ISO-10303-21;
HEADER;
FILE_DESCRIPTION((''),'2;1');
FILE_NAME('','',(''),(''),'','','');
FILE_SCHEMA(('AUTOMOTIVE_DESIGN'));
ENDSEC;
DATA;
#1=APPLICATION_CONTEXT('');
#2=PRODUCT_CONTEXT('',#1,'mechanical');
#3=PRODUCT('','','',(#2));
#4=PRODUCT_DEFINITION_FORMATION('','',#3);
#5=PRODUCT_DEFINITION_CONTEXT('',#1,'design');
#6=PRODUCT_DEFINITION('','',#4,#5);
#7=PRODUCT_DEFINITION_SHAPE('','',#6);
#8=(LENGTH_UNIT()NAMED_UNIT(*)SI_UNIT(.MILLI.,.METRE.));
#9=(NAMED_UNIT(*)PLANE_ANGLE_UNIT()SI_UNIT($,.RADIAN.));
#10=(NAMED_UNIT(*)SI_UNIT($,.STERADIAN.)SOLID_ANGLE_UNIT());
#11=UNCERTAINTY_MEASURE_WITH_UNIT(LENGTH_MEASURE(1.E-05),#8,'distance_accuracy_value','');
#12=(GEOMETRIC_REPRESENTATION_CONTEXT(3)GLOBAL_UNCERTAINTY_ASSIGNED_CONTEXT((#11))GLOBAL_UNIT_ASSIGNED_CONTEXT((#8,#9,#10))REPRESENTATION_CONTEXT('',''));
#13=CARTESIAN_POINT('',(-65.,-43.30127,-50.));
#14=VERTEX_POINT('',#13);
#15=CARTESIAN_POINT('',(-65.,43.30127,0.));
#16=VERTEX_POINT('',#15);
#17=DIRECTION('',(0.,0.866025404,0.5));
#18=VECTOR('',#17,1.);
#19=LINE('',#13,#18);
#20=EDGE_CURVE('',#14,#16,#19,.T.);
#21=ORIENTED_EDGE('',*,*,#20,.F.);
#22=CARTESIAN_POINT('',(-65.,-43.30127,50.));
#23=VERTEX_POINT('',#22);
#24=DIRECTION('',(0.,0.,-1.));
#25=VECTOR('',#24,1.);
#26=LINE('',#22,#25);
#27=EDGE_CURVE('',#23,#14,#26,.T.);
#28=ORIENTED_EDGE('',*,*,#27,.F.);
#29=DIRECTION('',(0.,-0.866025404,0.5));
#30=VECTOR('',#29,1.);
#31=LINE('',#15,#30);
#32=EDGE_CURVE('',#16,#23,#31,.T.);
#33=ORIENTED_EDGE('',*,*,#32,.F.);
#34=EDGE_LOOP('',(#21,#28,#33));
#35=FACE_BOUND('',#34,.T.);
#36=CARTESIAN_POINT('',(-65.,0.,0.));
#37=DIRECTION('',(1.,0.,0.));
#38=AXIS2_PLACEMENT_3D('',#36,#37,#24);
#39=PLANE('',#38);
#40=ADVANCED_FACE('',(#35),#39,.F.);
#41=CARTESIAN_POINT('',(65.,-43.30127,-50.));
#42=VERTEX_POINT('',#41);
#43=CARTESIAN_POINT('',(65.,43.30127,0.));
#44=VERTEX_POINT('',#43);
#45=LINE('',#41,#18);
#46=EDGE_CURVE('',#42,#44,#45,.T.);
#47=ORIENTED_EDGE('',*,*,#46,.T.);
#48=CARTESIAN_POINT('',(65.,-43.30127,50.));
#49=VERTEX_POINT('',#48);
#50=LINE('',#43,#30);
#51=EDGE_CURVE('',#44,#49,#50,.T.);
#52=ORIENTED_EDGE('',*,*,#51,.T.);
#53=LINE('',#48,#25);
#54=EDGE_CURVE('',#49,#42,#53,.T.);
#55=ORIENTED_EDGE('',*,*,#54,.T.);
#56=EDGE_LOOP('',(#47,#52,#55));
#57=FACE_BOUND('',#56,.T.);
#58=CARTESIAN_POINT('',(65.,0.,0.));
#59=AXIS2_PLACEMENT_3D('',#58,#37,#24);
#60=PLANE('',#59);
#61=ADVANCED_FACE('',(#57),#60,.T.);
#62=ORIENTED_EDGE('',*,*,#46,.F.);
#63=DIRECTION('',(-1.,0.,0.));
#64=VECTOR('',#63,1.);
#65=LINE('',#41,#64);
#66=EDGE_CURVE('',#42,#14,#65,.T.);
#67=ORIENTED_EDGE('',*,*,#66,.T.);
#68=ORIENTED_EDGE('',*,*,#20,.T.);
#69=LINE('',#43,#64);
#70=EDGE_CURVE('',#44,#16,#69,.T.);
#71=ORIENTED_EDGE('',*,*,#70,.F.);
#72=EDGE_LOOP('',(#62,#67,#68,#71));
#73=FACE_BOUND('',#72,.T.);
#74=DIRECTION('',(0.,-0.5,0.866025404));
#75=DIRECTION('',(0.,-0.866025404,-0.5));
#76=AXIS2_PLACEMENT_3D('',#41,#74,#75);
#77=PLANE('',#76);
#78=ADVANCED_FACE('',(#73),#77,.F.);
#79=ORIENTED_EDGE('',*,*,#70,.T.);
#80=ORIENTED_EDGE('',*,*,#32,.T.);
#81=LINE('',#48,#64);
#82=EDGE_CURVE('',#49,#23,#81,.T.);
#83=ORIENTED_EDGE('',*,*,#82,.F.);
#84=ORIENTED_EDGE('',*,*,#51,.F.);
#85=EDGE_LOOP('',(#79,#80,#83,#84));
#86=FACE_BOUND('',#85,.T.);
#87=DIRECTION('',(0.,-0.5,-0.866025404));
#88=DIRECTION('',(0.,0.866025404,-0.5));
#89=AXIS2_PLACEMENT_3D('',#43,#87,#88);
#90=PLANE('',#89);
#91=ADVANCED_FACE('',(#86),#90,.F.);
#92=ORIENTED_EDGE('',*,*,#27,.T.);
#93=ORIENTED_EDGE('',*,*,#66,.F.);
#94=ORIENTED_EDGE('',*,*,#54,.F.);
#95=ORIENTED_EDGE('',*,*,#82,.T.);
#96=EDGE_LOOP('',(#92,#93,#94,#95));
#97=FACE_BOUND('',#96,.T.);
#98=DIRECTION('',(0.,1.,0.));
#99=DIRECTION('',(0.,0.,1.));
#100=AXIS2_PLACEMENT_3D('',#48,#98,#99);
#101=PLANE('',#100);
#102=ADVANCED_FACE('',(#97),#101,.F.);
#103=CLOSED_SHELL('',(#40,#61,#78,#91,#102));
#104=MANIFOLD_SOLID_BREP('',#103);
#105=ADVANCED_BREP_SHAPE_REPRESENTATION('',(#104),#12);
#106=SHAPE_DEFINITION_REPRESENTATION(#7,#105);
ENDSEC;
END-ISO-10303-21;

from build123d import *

# Parameters (mm, degrees)
EXTRUDE_1_DEPTH = 65


with BuildPart() as part:
    # 草图1 → 凸台-拉伸1 (new, symmetric)
    with BuildSketch(Plane(origin=(0, 0, 0), x_dir=(0, 0, -1), z_dir=(1, 0, 0))):
        Polygon((-50, -43.301270189), (50, -43.301270189), (0, 43.301270189), align=None)
    extrude(amount=EXTRUDE_1_DEPTH, both=True)


solid = part.part
